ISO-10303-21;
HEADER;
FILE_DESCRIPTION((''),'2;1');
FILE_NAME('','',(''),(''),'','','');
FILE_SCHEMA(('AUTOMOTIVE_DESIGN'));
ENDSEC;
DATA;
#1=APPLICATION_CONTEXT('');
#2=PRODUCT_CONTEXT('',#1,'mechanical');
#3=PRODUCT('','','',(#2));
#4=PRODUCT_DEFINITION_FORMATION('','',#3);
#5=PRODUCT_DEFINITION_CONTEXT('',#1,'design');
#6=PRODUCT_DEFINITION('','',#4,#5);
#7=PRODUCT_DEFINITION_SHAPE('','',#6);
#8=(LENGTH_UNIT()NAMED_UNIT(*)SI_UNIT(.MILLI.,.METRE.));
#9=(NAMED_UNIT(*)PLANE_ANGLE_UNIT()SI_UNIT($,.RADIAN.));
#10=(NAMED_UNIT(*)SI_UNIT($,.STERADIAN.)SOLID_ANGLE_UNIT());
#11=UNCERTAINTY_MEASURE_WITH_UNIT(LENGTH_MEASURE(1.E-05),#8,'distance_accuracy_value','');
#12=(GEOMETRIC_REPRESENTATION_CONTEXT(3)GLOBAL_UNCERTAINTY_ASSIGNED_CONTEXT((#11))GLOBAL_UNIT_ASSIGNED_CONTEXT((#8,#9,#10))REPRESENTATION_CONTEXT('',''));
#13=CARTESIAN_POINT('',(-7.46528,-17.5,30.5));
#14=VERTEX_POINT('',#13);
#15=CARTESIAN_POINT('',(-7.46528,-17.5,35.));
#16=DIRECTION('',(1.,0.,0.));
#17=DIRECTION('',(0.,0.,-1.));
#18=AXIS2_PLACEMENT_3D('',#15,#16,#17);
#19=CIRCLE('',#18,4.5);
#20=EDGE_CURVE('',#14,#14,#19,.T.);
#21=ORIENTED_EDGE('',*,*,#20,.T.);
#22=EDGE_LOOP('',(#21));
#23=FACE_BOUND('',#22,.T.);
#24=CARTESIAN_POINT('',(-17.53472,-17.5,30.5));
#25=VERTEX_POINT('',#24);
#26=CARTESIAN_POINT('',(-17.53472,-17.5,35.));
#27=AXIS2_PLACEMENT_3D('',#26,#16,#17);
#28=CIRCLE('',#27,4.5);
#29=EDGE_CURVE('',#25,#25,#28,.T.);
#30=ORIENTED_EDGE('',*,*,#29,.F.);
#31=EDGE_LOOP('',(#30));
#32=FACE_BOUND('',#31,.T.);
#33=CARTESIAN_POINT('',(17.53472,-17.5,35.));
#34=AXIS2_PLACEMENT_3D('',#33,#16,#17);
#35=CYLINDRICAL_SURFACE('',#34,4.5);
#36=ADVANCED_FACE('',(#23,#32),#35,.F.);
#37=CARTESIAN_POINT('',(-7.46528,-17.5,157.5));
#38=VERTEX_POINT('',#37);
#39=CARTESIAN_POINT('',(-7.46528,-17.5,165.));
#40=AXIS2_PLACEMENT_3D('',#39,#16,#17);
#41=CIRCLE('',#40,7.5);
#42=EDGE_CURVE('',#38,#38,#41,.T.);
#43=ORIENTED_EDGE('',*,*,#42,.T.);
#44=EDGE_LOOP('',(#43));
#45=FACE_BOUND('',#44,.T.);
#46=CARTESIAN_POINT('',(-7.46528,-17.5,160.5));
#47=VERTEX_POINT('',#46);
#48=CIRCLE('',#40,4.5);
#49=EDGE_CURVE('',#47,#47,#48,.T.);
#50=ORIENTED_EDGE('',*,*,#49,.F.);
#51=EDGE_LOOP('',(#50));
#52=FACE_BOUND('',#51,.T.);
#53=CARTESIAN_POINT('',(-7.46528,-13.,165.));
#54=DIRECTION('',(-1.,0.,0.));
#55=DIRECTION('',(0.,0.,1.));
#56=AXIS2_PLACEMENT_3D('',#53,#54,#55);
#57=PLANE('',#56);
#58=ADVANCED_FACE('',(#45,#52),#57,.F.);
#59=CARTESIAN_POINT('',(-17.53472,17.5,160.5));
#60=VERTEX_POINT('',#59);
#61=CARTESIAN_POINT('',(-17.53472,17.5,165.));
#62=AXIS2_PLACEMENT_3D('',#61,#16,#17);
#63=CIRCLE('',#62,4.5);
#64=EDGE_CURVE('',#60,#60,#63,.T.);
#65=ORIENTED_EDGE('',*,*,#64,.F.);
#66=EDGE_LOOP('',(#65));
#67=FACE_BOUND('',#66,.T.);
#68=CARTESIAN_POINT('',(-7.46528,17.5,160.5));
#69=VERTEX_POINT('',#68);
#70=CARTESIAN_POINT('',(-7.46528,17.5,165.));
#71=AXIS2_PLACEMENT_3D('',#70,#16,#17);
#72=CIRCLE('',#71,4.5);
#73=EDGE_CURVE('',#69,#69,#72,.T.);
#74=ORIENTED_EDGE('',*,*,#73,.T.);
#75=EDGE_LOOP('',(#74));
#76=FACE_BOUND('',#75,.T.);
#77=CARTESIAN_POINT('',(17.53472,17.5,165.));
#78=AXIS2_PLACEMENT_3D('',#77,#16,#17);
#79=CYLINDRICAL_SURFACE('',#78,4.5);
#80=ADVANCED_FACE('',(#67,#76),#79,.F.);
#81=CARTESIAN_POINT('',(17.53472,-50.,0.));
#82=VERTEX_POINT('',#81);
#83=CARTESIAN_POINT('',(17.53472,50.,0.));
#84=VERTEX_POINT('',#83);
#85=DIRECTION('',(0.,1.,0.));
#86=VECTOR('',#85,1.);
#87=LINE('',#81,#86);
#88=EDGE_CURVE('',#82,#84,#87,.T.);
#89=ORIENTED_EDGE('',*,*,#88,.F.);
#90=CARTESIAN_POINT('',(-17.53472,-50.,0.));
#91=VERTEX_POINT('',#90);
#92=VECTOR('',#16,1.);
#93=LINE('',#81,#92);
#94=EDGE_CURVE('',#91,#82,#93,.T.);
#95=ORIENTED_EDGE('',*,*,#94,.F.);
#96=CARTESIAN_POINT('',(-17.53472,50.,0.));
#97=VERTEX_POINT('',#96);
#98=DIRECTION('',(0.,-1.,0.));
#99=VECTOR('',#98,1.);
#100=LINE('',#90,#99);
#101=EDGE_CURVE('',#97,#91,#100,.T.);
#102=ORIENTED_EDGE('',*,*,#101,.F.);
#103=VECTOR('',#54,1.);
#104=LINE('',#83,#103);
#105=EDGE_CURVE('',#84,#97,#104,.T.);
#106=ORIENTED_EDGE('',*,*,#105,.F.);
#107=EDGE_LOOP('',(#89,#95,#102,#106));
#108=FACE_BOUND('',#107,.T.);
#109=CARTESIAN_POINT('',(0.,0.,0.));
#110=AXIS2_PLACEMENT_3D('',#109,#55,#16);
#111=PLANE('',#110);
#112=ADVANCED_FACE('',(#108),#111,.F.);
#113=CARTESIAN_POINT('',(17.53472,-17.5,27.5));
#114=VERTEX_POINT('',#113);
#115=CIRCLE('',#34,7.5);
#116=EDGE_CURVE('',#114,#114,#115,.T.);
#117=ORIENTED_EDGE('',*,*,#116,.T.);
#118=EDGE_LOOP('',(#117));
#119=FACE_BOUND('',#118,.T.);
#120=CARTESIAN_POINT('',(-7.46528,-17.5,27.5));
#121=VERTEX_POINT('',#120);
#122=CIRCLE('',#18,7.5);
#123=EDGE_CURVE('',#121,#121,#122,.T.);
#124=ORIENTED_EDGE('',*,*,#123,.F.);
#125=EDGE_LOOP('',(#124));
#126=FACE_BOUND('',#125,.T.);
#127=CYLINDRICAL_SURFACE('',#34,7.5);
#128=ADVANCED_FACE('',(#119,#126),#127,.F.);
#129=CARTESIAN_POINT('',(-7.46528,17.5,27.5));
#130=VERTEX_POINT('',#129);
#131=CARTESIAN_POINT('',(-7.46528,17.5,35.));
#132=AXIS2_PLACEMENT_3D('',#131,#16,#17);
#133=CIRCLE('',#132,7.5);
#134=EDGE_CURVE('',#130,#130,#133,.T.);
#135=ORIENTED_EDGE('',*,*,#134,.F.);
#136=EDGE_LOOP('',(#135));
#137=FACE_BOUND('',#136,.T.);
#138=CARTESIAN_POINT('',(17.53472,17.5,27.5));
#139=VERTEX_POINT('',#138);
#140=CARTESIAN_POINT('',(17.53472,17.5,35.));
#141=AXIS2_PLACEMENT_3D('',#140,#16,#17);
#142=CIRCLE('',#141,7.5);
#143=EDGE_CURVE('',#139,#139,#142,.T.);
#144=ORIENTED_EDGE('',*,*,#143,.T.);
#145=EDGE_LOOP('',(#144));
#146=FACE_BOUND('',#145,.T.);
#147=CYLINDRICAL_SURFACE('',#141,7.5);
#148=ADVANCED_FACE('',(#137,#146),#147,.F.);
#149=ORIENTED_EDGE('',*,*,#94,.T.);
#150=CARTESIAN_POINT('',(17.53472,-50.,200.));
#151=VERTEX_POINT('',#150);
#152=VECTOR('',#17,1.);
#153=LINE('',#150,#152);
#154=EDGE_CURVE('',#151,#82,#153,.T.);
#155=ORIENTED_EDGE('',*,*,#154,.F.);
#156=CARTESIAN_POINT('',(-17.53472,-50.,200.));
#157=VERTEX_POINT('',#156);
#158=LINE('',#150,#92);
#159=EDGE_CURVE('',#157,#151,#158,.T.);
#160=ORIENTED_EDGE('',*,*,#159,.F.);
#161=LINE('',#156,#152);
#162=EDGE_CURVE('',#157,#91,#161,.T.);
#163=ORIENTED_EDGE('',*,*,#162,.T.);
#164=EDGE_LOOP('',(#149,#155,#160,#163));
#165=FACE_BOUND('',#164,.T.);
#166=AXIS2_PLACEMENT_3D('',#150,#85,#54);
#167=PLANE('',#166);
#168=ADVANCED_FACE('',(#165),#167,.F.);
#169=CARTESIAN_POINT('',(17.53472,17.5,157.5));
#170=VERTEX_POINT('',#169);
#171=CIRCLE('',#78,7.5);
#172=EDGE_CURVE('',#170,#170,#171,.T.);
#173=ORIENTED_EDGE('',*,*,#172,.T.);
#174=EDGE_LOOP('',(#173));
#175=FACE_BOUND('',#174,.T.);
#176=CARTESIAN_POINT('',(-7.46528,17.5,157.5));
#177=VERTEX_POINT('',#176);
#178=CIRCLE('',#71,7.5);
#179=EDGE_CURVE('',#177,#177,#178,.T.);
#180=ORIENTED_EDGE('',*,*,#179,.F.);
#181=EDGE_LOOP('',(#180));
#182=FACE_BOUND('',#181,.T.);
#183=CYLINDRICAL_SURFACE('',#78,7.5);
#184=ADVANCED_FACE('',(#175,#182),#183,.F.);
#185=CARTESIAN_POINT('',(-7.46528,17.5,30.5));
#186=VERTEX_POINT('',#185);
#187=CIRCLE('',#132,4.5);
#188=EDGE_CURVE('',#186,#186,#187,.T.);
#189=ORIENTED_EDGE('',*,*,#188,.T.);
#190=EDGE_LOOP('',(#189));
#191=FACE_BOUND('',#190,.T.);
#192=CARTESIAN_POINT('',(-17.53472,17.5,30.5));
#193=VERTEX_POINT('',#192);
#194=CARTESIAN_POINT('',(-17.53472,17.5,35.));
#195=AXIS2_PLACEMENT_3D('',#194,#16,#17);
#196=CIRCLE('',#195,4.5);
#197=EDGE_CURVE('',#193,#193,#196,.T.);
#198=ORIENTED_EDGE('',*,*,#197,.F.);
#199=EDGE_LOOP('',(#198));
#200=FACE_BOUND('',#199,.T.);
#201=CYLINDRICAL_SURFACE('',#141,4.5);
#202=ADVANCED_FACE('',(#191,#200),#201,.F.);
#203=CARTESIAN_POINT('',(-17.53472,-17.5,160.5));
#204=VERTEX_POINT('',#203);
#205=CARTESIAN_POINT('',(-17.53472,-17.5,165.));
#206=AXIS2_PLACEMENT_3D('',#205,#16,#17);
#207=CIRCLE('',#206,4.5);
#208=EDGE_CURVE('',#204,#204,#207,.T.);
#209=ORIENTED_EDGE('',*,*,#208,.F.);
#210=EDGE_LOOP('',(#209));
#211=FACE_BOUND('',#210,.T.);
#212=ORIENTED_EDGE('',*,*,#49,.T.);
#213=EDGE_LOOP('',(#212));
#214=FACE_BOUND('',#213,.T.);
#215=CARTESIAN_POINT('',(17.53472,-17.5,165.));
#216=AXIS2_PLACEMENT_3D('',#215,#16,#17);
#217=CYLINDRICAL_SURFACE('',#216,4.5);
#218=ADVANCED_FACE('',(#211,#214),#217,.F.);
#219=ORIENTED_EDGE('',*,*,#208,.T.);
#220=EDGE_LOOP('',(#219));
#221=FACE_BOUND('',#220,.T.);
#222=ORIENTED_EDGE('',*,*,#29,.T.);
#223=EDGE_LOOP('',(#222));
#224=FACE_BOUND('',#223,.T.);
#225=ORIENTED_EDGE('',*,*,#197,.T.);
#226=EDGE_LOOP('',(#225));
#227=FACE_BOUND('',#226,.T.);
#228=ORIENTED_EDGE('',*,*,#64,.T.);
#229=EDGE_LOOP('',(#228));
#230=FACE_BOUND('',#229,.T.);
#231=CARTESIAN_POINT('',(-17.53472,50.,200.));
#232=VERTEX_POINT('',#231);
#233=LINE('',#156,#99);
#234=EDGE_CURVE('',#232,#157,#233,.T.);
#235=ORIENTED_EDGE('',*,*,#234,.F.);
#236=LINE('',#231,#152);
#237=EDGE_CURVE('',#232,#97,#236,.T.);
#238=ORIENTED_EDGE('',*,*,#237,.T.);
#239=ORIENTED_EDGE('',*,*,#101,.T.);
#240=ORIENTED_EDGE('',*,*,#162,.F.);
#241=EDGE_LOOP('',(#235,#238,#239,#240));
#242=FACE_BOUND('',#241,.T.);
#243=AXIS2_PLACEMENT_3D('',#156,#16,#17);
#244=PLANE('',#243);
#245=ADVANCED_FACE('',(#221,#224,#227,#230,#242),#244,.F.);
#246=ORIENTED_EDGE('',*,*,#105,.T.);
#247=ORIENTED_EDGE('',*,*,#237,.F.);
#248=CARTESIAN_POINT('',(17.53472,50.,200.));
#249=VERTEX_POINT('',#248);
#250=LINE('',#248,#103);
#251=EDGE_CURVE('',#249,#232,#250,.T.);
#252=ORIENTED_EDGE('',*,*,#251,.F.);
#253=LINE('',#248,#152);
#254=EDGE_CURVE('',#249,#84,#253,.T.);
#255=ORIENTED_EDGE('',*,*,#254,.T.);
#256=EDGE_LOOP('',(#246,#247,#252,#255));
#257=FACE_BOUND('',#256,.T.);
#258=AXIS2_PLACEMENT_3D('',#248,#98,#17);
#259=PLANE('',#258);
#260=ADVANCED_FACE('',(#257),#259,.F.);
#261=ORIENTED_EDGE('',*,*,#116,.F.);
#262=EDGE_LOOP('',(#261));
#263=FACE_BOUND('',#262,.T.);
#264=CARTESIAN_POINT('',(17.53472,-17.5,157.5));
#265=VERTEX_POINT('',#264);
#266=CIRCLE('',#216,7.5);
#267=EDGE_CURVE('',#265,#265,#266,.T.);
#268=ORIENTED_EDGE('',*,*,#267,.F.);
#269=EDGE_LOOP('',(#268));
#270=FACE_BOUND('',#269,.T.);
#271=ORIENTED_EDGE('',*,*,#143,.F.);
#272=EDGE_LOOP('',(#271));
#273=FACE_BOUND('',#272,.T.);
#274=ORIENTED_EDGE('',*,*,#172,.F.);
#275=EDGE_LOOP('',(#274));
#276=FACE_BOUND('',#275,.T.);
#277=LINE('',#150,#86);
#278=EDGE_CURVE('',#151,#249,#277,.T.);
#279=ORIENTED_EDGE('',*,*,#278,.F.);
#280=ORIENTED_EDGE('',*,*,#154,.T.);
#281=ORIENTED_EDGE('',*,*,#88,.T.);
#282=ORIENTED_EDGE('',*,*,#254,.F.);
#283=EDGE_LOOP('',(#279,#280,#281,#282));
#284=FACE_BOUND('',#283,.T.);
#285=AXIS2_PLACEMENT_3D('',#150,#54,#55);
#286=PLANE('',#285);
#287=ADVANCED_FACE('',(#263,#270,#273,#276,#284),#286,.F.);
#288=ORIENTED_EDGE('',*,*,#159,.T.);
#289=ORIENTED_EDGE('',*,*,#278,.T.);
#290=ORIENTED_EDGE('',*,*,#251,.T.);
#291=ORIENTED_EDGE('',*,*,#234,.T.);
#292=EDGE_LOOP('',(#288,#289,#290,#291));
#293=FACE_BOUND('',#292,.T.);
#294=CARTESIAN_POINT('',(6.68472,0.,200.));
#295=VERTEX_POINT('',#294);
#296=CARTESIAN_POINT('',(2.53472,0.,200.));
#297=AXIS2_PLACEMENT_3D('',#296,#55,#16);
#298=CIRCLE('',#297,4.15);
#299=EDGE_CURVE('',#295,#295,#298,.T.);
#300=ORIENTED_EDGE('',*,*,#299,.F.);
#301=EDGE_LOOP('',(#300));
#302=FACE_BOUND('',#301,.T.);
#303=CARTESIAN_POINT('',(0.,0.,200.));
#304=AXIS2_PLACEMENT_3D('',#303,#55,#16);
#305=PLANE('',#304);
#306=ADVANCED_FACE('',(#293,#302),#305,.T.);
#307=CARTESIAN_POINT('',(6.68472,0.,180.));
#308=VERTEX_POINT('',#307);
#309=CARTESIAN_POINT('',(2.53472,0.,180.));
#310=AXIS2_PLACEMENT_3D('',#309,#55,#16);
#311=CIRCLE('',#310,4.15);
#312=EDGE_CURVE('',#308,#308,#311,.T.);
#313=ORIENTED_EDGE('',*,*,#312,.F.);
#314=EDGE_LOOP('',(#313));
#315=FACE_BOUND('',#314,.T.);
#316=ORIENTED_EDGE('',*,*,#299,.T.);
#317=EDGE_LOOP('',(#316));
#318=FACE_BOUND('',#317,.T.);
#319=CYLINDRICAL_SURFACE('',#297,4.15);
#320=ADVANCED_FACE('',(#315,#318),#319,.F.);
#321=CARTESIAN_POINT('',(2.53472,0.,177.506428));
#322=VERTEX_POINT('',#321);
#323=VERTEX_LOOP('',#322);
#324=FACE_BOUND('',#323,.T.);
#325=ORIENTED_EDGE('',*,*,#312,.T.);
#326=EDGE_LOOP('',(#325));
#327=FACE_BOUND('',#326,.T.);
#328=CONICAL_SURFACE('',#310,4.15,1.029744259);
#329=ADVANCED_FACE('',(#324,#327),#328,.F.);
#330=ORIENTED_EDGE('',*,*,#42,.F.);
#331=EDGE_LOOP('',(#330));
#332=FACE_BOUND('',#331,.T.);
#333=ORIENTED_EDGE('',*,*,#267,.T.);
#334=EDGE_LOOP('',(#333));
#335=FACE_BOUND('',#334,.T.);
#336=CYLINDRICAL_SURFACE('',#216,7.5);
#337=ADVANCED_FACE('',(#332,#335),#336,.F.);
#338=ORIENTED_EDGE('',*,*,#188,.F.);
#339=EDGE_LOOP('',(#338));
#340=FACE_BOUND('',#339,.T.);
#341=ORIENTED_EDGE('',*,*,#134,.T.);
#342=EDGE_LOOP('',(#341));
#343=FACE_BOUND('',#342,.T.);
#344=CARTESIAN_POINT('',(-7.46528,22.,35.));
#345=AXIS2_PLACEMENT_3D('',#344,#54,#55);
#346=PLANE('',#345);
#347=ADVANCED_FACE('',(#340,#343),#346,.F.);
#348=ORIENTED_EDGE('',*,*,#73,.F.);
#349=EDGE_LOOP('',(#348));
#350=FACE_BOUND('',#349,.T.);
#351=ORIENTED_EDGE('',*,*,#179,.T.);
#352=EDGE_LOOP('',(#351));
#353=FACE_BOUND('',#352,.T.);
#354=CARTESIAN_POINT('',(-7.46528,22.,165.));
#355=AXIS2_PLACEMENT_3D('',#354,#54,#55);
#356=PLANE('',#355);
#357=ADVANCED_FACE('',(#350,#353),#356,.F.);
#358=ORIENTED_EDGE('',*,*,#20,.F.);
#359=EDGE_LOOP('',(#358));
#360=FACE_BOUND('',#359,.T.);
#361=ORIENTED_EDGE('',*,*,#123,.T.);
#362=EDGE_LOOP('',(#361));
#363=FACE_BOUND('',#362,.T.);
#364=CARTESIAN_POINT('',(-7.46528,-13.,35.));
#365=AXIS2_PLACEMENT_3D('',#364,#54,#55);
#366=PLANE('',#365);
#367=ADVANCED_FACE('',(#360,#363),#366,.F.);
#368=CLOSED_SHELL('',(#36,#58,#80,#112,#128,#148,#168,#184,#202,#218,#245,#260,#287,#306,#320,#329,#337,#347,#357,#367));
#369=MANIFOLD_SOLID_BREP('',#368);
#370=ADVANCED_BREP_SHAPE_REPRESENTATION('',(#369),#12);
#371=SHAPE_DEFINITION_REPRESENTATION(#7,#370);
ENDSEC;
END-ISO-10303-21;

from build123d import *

# Parameters (mm, degrees)
SKIZZE1_W                                           = 35.06944
SKIZZE1_H                                           = 100
AUFSATZ_LINEAR_AUSTRAGEN1_DEPTH                     = 200
STIRNSENKUNG_F_R_M8_SENKSCHRAUBE_KOPF_B_D           = 9
STIRNSENKUNG_F_R_M8_SENKSCHRAUBE_KOPF_B_CBORE_D     = 15
STIRNSENKUNG_F_R_M8_SENKSCHRAUBE_KOPF_B_CBORE_DEPTH = 25
SPIEGELN4_COPY_1_D                                  = 9
SPIEGELN4_COPY_1_CBORE_D                            = 15
SPIEGELN4_COPY_1_CBORE_DEPTH                        = 25
KERNLOCH_F_R_M8_HELICOIL1_D                         = 8.3
KERNLOCH_F_R_M8_HELICOIL1_DEPTH                     = 20
KERNLOCH_F_R_M8_HELICOIL1_TIP                       = 2.493571569


with BuildPart() as part:
    # Skizze1 → Aufsatz-Linear austragen1 (new body)
    with BuildSketch(Plane.XY):
        Rectangle(SKIZZE1_W, SKIZZE1_H)
    extrude(amount=AUFSATZ_LINEAR_AUSTRAGEN1_DEPTH)

    # Stirnsenkung für M8 Senkschraube (Kopf Button)1 (through all)
    with Locations(Plane(origin=(17.53472, 0, 0), x_dir=(0, 0, -1), z_dir=(1, 0, 0))):
        with Locations((-165, 17.5)):
            stirnsenkung_f_r_m8_senkschraube_kopf_b = CounterBoreHole(STIRNSENKUNG_F_R_M8_SENKSCHRAUBE_KOPF_B_D / 2, STIRNSENKUNG_F_R_M8_SENKSCHRAUBE_KOPF_B_CBORE_D / 2, STIRNSENKUNG_F_R_M8_SENKSCHRAUBE_KOPF_B_CBORE_DEPTH)

    # Spiegeln3: Stirnsenkung für M8 Senkschraube (Kopf Button)1 across plane
    add(stirnsenkung_f_r_m8_senkschraube_kopf_b.mirror(Plane.XY.offset(100)), mode=Mode.SUBTRACT)

    # Spiegeln4: Stirnsenkung für M8 Senkschraube (Kopf Button)1 across plane
    add(stirnsenkung_f_r_m8_senkschraube_kopf_b.mirror(Plane.ZX), mode=Mode.SUBTRACT)

    # Spiegeln4 copy 1 (through all)
    with Locations(Plane(origin=(17.53472, 0, 200), x_dir=(0, 0, 1), z_dir=(1, 0, 0))):
        with Locations((-165, 17.5)):
            CounterBoreHole(SPIEGELN4_COPY_1_D / 2, SPIEGELN4_COPY_1_CBORE_D / 2, SPIEGELN4_COPY_1_CBORE_DEPTH)

    # Kernloch für M8 Helicoil1
    with Locations(Plane.XY.offset(200)):
        with Locations((2.53472, 0)):
            Hole(KERNLOCH_F_R_M8_HELICOIL1_D / 2, depth=KERNLOCH_F_R_M8_HELICOIL1_DEPTH)
            with Locations((0, 0, -(KERNLOCH_F_R_M8_HELICOIL1_DEPTH + KERNLOCH_F_R_M8_HELICOIL1_TIP / 2))):  # 118° drill point
                Cone(0, KERNLOCH_F_R_M8_HELICOIL1_D / 2, KERNLOCH_F_R_M8_HELICOIL1_TIP, mode=Mode.SUBTRACT)


solid = part.part
